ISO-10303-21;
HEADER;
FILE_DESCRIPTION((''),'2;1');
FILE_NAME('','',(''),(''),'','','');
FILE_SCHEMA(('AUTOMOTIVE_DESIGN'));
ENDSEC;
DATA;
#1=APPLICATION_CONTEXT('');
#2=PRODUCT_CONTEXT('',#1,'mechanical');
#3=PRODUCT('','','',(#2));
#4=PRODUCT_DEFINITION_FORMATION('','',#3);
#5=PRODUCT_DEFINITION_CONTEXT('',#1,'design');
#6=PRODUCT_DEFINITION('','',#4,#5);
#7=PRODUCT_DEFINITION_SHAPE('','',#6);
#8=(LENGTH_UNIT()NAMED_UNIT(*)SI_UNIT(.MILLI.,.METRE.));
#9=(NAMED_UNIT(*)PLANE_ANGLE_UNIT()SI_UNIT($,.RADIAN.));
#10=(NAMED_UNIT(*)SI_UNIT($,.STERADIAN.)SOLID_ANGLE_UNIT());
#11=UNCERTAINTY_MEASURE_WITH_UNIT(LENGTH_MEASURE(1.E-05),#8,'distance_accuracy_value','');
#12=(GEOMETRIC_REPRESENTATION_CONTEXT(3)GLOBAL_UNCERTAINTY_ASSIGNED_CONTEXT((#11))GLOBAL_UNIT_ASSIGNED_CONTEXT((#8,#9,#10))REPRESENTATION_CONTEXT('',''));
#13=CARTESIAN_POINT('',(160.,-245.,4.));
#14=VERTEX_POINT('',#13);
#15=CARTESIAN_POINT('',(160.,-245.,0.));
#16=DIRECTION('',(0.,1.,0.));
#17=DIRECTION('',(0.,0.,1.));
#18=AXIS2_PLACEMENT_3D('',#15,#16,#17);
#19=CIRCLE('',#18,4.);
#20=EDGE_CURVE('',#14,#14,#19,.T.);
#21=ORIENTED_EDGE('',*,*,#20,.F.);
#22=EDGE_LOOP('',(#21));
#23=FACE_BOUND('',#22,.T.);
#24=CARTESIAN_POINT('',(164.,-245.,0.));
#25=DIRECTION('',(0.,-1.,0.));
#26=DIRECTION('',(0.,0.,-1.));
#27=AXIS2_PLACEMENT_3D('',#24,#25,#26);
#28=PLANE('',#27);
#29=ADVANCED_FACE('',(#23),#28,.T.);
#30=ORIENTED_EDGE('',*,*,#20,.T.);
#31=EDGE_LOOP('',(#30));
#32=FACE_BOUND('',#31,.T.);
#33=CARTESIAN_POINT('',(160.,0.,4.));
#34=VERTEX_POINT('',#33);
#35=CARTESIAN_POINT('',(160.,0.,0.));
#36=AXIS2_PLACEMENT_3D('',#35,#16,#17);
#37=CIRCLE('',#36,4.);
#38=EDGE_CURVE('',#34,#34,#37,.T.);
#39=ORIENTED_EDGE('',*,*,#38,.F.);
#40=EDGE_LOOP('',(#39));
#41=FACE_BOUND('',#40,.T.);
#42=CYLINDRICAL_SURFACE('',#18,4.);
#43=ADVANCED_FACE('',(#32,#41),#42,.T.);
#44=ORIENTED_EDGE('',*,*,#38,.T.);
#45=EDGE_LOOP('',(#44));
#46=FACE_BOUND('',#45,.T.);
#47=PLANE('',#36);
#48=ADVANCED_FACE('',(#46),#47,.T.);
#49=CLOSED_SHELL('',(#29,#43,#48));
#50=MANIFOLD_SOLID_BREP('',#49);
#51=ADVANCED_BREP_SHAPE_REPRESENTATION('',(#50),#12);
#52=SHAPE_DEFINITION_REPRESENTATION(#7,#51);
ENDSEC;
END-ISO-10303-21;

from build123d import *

# Parameters (mm, degrees)
SKETCH_1_W = 4
SKETCH_1_H = 245


with BuildPart() as part:
    # 草图1 → 旋转1 (revolve)
    with BuildSketch(Plane(origin=(0, 0, 0), x_dir=(-1, 0, 0), z_dir=(0, 0, -1))):
        with Locations((-162, -122.5)):
            Rectangle(SKETCH_1_W, SKETCH_1_H)
    revolve(axis=Axis((160, -245, 0), (0, 1, 0)))


solid = part.part
